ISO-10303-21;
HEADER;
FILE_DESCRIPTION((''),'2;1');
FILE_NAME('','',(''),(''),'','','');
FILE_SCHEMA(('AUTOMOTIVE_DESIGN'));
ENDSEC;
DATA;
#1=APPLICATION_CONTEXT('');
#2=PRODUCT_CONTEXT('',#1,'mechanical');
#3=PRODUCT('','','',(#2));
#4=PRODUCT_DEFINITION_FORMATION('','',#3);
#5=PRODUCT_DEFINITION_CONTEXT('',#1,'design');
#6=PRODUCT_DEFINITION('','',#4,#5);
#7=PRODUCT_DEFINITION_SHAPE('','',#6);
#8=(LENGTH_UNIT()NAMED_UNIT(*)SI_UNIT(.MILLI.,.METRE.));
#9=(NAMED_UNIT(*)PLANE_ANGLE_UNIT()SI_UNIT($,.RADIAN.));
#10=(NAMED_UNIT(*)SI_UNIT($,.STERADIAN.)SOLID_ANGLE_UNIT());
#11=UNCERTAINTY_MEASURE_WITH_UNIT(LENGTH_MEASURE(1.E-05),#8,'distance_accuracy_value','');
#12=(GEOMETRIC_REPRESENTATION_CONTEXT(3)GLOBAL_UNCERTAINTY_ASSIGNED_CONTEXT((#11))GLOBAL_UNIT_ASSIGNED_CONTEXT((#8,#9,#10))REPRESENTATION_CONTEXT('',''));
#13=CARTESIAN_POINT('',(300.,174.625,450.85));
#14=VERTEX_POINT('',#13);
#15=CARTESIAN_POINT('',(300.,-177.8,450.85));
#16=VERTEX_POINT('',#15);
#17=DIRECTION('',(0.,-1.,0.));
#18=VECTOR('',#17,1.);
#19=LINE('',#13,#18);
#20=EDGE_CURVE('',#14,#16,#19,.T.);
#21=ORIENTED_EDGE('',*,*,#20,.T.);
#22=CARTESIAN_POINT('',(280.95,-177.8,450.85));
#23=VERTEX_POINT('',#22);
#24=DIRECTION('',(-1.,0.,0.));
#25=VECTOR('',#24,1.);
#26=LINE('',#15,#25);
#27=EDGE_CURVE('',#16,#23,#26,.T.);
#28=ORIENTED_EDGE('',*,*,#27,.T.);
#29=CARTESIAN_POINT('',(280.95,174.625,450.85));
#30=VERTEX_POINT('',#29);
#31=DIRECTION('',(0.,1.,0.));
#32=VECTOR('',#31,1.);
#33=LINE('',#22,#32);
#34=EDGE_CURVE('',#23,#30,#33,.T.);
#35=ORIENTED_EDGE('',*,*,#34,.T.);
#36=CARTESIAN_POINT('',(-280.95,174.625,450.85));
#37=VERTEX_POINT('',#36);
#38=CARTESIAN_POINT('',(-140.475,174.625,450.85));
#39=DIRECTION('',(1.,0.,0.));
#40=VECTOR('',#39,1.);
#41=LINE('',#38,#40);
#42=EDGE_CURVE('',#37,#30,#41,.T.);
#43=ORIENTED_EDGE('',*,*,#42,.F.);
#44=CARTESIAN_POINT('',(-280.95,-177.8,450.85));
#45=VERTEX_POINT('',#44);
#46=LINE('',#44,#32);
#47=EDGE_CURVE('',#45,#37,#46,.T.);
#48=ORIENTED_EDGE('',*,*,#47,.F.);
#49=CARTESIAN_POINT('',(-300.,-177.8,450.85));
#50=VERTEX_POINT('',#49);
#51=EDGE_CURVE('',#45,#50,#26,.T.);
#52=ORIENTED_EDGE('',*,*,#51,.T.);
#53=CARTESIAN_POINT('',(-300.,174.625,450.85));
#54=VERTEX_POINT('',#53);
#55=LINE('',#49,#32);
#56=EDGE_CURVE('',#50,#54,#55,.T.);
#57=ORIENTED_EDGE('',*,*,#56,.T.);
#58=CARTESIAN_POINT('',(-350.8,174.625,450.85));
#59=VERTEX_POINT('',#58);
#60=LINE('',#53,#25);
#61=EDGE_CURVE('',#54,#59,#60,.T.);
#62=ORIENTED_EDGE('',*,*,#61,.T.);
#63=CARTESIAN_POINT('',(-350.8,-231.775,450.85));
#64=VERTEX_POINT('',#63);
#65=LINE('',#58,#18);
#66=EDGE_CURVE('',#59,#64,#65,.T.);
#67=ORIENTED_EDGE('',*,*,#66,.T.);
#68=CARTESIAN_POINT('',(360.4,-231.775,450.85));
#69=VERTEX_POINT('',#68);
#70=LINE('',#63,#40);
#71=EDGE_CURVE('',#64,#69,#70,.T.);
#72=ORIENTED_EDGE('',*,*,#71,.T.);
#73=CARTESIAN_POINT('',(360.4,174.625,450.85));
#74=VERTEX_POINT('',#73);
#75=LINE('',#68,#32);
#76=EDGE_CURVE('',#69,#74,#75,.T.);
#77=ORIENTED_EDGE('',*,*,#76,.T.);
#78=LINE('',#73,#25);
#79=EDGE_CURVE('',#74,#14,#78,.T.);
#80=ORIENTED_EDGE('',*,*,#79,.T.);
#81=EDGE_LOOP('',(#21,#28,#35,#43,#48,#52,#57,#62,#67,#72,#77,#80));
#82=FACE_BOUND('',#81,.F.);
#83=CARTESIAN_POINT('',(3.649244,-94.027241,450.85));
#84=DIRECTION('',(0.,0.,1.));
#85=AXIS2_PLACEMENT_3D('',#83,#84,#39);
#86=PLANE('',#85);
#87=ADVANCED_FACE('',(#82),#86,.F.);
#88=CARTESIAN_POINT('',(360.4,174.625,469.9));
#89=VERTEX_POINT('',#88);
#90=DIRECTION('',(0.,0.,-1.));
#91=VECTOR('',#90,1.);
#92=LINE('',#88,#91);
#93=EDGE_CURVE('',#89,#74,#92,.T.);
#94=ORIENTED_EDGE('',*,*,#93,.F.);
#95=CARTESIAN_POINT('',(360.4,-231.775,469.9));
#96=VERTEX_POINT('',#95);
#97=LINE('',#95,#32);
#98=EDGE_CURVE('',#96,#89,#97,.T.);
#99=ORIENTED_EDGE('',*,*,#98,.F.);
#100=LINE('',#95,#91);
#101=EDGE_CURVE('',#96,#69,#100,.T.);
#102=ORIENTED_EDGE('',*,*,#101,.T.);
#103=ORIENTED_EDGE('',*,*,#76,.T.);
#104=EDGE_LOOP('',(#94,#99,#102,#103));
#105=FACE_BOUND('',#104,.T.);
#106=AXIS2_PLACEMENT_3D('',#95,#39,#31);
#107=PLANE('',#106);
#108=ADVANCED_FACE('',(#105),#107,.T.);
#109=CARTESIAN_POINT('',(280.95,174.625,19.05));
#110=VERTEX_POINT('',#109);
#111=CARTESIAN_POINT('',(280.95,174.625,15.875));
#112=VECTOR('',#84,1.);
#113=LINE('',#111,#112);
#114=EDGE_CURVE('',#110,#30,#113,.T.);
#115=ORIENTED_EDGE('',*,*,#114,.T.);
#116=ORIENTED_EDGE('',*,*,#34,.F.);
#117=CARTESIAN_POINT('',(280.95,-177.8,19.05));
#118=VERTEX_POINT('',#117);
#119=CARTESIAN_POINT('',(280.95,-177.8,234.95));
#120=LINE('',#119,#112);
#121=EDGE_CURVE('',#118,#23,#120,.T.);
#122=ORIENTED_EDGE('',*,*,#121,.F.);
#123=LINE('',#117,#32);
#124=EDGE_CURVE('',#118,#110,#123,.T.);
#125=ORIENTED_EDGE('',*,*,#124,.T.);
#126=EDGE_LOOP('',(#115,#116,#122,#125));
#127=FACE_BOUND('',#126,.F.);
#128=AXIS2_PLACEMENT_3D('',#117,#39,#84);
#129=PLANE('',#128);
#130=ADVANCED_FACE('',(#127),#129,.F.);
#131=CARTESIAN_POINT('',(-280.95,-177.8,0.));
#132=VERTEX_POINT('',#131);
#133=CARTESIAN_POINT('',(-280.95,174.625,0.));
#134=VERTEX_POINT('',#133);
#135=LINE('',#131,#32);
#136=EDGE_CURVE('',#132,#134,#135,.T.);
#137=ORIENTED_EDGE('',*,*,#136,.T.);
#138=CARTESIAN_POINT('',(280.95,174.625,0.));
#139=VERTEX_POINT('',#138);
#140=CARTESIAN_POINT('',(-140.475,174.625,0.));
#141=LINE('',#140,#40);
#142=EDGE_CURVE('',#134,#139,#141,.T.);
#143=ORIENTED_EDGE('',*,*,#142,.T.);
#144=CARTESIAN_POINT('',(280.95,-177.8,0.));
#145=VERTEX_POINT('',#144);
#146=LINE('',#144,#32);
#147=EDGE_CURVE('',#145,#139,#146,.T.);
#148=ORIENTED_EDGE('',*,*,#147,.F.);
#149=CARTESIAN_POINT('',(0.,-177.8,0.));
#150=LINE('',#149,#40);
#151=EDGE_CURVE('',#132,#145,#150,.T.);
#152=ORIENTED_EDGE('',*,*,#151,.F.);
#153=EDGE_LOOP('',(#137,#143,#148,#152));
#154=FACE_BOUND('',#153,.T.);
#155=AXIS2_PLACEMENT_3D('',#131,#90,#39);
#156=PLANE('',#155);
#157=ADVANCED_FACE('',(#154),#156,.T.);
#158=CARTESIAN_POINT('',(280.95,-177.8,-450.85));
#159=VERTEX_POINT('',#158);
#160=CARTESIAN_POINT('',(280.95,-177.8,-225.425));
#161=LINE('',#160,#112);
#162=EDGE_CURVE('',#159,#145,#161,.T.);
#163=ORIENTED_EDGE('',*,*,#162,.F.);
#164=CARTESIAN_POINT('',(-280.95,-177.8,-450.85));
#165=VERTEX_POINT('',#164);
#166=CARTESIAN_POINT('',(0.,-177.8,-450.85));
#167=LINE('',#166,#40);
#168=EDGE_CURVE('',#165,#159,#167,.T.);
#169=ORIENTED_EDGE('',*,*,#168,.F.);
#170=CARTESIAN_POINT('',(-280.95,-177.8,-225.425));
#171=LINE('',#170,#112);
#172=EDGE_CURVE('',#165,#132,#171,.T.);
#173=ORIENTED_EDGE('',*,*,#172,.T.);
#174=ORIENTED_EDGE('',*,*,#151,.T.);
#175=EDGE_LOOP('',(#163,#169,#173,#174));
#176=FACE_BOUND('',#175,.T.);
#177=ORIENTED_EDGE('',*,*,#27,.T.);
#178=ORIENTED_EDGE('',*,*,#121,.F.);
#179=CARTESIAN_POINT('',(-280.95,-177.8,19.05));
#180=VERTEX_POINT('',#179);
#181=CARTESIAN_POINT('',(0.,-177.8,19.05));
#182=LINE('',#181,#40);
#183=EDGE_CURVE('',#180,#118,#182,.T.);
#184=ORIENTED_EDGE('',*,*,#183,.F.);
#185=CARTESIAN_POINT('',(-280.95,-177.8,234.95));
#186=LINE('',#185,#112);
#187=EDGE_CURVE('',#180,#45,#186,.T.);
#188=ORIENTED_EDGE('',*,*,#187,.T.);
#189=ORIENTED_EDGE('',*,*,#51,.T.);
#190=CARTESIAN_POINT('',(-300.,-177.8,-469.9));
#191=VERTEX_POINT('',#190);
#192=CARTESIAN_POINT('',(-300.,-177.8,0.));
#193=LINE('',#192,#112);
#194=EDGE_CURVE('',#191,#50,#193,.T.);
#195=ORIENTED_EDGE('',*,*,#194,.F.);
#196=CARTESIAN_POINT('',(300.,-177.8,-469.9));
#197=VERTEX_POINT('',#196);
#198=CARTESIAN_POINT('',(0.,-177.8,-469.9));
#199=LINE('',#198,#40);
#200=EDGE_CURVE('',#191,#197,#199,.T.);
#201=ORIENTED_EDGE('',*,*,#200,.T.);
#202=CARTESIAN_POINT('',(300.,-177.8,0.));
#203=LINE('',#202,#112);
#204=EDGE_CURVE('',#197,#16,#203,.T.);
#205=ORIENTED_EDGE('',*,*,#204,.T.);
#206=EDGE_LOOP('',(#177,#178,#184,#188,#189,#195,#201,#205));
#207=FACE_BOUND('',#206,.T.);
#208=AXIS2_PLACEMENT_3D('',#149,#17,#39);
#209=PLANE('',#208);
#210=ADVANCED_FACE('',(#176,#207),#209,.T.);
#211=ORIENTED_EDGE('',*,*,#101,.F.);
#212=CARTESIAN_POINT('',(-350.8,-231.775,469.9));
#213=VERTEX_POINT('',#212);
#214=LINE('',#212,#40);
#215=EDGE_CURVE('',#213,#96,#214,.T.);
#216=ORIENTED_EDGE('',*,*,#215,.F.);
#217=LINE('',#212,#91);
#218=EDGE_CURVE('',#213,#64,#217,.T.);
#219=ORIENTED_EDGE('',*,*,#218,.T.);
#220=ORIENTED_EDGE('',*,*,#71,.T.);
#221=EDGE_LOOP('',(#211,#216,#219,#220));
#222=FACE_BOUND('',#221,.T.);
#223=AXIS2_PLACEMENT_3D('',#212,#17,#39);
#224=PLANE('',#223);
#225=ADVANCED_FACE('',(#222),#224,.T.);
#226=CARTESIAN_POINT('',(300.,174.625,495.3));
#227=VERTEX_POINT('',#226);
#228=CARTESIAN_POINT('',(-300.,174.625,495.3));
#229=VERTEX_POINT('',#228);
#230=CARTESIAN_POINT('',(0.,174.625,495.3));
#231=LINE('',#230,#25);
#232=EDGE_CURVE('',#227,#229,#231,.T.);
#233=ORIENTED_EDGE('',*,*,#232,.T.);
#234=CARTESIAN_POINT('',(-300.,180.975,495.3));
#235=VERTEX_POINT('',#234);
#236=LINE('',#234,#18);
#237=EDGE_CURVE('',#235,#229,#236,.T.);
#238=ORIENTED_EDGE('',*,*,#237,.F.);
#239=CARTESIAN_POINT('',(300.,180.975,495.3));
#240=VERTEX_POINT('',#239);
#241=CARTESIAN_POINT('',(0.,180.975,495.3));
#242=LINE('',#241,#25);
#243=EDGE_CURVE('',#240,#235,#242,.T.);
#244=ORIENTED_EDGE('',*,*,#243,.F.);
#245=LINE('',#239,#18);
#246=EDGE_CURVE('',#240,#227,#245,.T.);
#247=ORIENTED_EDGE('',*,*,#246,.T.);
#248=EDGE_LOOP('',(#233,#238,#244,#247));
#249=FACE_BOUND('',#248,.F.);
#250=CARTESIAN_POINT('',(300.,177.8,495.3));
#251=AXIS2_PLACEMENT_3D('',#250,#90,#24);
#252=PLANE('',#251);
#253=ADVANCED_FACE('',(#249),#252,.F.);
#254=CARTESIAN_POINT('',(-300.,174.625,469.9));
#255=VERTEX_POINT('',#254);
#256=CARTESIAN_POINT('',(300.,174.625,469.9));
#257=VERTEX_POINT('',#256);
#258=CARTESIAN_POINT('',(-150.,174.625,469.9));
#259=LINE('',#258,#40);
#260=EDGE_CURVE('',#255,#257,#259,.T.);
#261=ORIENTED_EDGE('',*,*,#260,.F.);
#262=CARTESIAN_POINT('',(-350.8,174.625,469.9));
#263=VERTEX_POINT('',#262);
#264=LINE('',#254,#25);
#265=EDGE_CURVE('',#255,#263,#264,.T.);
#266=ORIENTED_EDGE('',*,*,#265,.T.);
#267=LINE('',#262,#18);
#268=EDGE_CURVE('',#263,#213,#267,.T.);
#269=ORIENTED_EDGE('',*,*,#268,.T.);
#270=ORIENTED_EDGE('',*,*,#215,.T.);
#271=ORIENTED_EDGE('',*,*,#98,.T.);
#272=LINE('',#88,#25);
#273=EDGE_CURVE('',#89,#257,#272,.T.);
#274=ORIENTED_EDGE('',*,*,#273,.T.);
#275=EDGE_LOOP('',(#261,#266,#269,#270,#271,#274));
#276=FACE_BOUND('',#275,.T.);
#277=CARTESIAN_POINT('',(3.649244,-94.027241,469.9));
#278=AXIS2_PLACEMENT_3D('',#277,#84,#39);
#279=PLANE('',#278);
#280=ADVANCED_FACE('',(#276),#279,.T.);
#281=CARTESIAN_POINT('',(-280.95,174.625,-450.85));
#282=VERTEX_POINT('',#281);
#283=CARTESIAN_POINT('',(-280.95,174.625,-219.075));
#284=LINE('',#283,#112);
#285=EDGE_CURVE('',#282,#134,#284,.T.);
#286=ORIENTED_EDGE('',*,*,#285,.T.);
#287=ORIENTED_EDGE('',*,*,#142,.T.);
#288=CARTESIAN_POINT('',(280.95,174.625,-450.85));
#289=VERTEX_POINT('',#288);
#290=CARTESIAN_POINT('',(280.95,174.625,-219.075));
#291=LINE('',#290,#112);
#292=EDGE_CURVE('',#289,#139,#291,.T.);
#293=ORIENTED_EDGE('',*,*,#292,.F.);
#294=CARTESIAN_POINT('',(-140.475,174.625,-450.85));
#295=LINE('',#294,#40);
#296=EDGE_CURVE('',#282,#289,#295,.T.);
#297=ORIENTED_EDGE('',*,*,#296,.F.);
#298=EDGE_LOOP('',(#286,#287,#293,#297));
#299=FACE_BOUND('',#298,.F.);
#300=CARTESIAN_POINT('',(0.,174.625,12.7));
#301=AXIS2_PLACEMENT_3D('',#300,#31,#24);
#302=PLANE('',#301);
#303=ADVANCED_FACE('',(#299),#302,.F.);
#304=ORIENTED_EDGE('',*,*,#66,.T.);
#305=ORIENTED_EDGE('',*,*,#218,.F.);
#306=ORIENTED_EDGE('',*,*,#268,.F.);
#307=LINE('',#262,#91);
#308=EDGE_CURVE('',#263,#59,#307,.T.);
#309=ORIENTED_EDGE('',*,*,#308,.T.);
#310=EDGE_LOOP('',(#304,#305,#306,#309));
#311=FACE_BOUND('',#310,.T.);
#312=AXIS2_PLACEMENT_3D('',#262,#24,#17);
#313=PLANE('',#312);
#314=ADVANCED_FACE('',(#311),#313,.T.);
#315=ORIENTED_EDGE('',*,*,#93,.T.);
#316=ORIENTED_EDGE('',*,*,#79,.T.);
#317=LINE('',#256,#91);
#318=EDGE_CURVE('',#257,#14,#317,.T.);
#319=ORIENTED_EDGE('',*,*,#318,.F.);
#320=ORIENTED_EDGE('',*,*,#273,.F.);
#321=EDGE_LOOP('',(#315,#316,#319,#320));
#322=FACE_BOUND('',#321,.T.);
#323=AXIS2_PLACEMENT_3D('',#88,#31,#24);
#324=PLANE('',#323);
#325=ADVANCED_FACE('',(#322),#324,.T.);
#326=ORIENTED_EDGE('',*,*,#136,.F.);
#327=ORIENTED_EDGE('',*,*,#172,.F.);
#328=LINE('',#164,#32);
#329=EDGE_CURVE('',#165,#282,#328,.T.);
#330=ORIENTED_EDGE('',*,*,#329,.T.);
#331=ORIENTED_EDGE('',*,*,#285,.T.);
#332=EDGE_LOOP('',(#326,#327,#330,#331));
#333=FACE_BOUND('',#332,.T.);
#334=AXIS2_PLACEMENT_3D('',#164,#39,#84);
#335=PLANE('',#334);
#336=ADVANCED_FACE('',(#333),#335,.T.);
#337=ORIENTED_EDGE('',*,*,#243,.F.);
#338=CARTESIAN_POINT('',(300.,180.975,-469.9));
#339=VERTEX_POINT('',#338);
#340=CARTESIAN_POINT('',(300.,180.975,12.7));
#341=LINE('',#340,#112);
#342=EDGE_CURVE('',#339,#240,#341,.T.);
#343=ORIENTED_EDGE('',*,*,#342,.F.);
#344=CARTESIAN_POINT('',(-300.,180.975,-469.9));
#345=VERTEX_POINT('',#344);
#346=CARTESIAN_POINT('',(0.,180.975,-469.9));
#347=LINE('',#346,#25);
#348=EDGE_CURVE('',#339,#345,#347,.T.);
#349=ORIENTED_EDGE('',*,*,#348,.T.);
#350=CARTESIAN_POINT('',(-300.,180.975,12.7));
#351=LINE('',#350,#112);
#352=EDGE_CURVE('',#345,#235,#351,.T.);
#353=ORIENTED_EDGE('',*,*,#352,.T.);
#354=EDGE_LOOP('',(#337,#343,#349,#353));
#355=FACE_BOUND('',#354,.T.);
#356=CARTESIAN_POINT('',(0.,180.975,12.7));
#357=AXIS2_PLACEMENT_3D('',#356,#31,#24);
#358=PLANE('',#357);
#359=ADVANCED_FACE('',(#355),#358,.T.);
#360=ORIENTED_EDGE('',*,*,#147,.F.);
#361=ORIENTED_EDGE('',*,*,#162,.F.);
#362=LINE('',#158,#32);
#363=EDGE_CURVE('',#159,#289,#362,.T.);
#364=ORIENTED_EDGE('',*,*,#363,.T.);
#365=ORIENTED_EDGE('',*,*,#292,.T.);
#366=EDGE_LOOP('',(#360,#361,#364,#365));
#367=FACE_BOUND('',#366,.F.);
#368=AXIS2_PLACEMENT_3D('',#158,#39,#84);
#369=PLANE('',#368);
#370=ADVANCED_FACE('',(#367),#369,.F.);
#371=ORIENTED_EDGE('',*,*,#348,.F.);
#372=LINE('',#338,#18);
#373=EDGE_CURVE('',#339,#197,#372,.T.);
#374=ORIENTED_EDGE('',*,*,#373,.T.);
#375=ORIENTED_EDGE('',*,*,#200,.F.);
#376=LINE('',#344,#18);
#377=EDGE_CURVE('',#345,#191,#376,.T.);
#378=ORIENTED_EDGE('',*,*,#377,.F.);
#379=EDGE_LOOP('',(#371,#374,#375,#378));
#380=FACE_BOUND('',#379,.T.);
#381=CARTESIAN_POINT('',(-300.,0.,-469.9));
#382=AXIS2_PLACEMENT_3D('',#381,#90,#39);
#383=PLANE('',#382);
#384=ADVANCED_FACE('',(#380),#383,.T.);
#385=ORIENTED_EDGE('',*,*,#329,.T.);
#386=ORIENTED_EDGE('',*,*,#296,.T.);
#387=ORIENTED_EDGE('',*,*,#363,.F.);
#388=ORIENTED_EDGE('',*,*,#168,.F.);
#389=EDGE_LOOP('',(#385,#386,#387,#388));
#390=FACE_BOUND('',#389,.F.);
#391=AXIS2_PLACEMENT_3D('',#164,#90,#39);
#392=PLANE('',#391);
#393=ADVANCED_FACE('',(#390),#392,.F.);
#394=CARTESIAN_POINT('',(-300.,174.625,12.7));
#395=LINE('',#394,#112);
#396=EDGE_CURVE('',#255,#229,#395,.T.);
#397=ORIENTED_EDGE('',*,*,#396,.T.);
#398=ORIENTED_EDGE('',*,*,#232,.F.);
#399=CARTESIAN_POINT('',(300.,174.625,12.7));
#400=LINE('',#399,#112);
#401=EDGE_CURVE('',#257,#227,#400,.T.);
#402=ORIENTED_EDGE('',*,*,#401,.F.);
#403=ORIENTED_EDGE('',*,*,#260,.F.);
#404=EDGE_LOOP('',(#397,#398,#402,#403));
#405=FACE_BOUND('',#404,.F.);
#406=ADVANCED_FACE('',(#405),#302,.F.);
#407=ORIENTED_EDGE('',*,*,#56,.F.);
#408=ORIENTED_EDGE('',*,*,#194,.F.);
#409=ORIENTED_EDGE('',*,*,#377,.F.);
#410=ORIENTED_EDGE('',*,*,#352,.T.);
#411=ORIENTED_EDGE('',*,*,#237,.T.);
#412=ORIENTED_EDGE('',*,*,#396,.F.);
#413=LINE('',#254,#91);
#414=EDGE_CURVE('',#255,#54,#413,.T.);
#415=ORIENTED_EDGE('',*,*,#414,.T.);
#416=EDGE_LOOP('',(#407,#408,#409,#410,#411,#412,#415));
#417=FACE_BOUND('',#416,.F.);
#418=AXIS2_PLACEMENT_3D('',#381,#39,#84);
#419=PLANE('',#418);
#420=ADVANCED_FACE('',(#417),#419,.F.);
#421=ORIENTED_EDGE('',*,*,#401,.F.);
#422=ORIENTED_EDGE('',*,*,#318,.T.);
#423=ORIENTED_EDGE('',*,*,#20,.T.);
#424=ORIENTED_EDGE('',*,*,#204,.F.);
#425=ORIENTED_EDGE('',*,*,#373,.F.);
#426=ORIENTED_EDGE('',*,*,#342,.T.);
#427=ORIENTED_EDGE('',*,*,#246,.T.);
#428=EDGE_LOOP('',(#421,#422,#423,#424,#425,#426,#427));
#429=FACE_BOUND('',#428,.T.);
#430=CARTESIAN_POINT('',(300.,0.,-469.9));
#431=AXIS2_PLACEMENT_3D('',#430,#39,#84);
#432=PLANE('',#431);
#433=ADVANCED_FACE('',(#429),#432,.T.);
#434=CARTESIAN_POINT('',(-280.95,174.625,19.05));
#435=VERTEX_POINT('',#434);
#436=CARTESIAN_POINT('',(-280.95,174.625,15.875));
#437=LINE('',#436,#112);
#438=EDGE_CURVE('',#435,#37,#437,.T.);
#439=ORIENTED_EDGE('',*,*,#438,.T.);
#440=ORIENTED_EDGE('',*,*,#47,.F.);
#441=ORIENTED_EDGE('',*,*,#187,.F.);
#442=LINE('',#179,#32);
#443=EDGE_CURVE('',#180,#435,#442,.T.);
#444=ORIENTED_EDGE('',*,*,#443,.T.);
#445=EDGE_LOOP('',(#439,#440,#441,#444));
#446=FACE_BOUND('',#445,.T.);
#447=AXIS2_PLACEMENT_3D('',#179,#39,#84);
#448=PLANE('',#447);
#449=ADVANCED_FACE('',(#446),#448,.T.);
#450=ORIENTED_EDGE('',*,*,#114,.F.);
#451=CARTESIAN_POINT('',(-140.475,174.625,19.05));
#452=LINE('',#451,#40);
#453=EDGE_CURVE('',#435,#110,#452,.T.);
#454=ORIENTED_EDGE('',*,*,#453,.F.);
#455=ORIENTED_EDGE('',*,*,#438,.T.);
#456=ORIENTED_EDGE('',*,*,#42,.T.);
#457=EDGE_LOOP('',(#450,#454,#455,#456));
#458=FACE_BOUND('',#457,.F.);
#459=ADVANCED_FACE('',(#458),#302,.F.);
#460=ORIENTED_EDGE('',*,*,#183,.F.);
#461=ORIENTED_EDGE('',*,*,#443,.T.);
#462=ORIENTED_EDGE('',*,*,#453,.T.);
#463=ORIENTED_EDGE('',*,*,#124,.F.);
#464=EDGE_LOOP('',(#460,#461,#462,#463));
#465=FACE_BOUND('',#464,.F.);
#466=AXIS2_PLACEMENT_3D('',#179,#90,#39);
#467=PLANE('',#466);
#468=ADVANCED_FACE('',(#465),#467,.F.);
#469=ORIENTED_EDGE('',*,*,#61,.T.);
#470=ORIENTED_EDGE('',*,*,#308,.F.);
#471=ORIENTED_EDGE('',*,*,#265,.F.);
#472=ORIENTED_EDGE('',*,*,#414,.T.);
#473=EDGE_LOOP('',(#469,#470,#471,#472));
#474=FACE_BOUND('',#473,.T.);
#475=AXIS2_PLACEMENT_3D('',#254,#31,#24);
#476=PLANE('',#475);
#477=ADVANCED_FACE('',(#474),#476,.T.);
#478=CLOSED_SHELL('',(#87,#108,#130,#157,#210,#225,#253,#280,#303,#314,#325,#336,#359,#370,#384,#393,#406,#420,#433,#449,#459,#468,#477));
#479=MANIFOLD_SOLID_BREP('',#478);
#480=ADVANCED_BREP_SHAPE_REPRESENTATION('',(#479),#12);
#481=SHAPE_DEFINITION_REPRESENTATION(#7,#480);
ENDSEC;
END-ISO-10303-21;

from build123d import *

# Parameters (mm, degrees)
F0_W     = 600
F0_H     = 939.8
F1_DEPTH = 177.8
F2_W     = 561.9
F2_H     = 431.8
F2_H_2   = 450.85
F3_DEPTH = 355.601
F4_W     = 600
F4_H     = 965.2
F5_DEPTH = 3.175
F7_DEPTH = 19.05


with BuildPart() as f1:
    # F0 (on Front) → F1 (new body, symmetric)
    with BuildSketch(Plane.XZ):
        Rectangle(F0_W, F0_H)
    extrude(amount=F1_DEPTH, both=True)

    # F2 (on face) → F3 (cut, through all)
    with BuildSketch(Plane.XZ.offset(177.8)):
        with Locations((0, 234.95)):
            Rectangle(F2_W, F2_H)
        with Locations((0, -225.425)):
            Rectangle(F2_W, F2_H_2)
    extrude(amount=-F3_DEPTH, mode=Mode.SUBTRACT)

    # F4 (on face) → F5 (join, symmetric)
    with BuildSketch(Plane(origin=(0, 177.8, 0), x_dir=(-1, 0, 0), z_dir=(0, 1, 0))):
        with Locations((0, 12.7)):
            Rectangle(F4_W, F4_H)
    extrude(amount=F5_DEPTH, both=True)

    # F6 (on face) → F7 (join)
    with BuildSketch(Plane.XY.offset(469.9)):
        Polygon((-350.8, 174.625), (-350.8, -231.775), (360.4, -231.775), (360.4, 174.625), (300, 174.625), (300, -177.8), (-300, -177.8), (-300, 174.625), align=None)
    extrude(amount=-F7_DEPTH)


solid = f1.part
